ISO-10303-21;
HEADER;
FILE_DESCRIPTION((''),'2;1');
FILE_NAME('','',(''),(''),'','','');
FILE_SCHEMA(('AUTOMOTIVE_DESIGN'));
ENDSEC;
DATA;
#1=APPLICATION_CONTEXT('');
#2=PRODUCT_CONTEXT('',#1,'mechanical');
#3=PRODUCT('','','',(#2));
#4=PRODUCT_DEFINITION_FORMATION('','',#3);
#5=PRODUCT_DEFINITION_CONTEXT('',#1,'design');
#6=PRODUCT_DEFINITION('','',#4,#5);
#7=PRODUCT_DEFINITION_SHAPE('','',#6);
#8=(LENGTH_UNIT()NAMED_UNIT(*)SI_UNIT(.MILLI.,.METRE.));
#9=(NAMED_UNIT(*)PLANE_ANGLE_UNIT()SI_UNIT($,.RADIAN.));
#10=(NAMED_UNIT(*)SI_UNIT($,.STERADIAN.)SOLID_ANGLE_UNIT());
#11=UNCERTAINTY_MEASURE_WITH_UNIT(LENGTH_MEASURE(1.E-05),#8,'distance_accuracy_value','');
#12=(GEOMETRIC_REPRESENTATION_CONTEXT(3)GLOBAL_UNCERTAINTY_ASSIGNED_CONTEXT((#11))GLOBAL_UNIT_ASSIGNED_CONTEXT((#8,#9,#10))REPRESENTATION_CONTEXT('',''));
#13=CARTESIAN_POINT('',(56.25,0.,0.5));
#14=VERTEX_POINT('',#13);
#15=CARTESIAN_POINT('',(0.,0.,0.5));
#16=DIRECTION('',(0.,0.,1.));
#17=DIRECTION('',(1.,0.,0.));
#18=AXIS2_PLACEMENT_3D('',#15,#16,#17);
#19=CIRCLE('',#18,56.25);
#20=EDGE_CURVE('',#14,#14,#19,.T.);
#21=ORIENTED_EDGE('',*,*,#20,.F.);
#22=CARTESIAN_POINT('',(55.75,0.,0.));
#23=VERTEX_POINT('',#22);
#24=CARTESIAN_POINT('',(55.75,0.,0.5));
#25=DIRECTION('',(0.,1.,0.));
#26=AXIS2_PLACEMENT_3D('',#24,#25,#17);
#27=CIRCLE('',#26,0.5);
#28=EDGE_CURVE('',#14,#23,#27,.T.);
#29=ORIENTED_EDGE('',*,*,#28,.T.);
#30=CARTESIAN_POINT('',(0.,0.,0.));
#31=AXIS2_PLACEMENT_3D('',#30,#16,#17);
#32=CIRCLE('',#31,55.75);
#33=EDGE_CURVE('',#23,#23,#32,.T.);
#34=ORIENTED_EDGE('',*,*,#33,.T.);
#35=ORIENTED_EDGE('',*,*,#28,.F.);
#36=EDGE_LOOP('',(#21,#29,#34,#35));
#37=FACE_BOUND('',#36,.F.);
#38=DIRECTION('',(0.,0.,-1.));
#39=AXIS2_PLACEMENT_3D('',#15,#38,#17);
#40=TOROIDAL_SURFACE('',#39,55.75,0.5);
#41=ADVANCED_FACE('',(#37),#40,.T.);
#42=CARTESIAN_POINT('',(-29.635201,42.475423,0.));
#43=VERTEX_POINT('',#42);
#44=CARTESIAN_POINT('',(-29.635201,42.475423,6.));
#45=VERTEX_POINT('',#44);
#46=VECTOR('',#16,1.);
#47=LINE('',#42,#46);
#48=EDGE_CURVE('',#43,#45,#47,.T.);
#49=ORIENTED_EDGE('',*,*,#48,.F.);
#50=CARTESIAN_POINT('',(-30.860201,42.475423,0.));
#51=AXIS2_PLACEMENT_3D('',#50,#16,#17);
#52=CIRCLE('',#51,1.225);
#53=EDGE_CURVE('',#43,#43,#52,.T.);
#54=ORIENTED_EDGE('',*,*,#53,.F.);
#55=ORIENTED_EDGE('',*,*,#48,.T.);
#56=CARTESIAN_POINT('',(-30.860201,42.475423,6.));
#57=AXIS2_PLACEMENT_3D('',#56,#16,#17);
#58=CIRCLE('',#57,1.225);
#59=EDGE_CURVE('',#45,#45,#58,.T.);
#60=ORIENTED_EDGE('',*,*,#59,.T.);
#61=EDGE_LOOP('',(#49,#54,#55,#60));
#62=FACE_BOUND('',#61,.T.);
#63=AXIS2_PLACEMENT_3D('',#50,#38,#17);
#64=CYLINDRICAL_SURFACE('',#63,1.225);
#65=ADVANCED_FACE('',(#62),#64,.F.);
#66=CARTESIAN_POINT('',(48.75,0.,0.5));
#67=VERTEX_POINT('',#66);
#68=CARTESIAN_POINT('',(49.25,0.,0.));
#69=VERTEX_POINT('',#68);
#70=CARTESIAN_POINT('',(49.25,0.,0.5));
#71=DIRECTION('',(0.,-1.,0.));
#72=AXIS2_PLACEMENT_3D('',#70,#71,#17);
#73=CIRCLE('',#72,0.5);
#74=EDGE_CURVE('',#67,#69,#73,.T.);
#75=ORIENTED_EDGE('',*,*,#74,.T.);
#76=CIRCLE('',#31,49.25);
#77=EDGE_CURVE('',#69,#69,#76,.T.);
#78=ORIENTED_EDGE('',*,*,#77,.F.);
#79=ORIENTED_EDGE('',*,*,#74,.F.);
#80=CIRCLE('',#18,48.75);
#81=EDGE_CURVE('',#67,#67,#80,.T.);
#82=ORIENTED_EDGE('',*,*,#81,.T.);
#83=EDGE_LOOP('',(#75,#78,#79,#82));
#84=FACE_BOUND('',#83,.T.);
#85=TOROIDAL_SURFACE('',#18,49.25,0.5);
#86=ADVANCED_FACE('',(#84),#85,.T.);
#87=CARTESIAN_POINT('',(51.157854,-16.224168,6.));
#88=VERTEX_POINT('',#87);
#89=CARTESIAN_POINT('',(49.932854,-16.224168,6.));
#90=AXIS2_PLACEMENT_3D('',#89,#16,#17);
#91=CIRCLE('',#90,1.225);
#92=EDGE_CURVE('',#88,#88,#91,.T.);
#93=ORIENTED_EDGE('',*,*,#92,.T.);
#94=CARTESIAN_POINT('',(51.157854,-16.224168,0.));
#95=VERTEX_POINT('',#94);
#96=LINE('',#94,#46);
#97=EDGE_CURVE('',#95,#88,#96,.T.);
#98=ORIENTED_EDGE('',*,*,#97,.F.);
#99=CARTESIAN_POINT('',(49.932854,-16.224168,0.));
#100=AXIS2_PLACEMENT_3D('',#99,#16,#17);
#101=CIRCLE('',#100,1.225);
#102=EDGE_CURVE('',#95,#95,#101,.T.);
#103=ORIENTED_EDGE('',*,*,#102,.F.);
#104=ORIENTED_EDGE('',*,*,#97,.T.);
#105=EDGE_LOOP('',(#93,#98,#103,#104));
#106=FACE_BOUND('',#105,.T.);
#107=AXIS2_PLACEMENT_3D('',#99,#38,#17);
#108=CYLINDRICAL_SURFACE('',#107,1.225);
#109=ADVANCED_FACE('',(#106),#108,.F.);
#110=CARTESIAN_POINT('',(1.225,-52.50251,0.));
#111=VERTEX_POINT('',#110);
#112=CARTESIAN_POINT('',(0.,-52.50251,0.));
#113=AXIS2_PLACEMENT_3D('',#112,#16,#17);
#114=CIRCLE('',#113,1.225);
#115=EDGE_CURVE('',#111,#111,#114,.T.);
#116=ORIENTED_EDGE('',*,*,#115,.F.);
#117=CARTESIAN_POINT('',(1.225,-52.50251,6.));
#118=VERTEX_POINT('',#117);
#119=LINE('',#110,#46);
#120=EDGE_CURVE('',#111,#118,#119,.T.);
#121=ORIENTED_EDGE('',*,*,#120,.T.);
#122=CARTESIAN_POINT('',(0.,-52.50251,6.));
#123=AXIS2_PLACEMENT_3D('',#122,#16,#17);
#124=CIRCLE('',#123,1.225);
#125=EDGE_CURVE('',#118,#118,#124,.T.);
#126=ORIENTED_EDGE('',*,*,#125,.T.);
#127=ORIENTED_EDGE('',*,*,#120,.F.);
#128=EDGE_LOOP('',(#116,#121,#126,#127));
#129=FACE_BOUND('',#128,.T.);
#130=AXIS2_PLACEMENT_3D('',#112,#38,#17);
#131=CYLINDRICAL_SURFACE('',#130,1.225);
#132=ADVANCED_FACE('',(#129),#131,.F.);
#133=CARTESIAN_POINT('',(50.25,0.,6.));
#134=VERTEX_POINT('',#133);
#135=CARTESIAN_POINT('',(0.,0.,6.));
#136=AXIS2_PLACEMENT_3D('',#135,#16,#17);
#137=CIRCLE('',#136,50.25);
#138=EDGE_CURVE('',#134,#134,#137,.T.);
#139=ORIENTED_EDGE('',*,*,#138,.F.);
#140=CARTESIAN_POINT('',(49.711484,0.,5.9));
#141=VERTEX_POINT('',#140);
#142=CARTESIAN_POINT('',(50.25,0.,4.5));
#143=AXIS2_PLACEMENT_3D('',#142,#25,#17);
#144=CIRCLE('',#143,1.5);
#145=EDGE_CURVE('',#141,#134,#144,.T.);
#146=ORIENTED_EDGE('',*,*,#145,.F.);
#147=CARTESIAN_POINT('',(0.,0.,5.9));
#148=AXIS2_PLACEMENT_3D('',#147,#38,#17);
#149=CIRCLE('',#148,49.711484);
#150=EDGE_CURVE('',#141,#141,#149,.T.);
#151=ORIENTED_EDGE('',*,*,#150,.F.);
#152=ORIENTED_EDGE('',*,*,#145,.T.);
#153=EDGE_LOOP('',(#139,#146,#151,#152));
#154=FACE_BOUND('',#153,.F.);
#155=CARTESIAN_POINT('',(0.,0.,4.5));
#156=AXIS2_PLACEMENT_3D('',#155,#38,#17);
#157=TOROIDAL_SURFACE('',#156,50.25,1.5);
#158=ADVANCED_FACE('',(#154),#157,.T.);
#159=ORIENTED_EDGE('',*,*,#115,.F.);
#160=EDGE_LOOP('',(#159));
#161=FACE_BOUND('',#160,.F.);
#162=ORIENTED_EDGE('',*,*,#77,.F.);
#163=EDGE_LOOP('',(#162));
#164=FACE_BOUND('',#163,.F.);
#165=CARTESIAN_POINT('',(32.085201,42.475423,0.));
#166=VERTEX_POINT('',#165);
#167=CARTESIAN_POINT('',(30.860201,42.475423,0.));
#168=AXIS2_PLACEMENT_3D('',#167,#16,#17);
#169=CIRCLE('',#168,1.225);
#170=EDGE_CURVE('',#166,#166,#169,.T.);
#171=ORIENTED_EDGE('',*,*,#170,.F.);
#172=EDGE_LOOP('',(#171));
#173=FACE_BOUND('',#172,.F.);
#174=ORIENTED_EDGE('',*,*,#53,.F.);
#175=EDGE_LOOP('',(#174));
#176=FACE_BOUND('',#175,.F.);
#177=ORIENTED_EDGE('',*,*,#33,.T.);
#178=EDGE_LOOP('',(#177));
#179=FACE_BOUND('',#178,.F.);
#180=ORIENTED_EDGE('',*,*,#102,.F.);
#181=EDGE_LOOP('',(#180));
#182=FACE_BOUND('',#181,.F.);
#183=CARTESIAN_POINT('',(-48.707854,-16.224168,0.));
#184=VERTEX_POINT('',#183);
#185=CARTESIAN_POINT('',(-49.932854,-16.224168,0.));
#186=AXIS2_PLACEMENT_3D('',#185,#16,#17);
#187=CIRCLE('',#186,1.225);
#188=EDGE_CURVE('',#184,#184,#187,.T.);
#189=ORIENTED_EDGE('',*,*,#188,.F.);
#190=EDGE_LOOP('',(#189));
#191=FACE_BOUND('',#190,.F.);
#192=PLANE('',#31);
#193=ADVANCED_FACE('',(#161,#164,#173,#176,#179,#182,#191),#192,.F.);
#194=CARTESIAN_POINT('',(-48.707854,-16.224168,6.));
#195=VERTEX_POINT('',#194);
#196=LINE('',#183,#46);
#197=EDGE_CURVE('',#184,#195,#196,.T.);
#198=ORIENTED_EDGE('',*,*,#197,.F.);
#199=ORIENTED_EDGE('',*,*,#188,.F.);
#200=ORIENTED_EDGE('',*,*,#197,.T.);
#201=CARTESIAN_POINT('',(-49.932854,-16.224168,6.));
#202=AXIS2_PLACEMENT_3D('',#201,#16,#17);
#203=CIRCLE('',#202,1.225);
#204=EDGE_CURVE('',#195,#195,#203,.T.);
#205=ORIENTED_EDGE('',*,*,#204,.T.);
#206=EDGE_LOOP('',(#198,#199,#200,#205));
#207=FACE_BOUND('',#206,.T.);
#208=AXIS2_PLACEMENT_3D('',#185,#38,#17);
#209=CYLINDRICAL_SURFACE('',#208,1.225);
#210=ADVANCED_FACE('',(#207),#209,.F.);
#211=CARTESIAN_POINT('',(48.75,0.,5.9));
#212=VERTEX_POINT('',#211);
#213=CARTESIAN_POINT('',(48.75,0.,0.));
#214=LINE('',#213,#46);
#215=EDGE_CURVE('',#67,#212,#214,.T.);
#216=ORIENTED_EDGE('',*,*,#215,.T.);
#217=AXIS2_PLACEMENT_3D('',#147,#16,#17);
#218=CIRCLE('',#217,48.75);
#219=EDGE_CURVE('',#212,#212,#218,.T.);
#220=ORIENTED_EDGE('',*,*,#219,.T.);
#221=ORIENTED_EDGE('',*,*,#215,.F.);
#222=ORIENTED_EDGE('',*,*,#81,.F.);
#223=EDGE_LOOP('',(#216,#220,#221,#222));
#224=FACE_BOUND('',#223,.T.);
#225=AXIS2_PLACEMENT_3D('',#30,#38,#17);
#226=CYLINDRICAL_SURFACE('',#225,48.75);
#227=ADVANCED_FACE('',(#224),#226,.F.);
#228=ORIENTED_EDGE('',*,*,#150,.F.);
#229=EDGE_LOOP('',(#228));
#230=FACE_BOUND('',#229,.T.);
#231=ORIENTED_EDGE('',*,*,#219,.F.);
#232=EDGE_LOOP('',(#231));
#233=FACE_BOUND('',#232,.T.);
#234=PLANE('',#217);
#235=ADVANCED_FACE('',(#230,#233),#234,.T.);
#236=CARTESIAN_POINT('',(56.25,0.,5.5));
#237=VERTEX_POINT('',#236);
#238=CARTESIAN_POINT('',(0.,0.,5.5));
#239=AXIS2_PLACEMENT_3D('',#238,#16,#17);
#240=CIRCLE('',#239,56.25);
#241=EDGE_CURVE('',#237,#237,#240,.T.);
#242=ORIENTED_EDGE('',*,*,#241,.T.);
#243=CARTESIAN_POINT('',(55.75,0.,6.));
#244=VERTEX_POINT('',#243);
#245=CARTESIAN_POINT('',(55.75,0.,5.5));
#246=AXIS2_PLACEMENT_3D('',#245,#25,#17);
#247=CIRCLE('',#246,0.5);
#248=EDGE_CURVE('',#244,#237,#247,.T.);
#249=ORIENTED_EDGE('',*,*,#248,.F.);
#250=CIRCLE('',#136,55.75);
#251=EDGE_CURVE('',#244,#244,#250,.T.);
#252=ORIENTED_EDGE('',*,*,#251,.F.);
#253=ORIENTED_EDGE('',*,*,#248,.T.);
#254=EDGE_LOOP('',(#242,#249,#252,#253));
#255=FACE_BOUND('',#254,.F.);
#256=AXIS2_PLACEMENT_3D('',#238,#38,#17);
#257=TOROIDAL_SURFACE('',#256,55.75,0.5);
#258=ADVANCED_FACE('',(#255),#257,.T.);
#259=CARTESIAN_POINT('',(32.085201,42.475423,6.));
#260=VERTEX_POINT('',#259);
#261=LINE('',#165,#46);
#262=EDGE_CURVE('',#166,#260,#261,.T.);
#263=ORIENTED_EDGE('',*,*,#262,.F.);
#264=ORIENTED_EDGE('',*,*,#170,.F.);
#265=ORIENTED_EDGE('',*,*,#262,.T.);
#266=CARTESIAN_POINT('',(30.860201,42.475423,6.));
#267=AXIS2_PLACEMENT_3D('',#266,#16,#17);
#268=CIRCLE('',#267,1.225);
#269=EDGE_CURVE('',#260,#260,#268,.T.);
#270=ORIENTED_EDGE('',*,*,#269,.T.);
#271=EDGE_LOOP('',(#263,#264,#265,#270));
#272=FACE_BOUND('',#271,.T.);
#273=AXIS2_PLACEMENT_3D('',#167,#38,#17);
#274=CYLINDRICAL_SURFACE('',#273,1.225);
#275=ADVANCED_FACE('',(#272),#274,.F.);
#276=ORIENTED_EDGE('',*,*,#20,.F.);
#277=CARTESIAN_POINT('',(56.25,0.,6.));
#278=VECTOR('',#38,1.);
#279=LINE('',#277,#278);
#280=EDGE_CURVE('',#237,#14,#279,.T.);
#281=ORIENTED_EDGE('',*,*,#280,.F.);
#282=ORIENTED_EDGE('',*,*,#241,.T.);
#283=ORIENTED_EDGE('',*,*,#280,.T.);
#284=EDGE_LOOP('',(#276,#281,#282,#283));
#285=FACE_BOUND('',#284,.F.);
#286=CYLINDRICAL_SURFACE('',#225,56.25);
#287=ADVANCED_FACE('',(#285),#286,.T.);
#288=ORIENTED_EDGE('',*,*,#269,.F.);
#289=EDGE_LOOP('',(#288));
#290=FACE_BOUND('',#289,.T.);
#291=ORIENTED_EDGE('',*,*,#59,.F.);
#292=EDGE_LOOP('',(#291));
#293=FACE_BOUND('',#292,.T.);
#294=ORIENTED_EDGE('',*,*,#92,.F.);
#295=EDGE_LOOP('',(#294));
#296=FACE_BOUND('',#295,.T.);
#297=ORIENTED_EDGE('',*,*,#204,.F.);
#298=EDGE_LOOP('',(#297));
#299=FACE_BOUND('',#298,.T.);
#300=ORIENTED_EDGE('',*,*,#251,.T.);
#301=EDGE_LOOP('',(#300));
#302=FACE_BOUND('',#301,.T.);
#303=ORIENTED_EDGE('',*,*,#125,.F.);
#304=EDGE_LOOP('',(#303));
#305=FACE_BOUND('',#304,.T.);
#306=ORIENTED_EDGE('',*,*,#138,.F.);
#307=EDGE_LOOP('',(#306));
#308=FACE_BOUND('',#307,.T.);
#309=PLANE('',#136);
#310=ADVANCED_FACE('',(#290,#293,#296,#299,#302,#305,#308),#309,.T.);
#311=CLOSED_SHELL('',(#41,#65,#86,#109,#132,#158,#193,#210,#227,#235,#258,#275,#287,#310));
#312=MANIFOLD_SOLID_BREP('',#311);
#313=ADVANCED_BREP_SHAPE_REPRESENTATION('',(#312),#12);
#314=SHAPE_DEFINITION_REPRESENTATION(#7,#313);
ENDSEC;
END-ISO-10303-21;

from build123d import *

# Parameters (mm, degrees)
F0_R     = 56.25
F0_R_2   = 1.225
F0_R_3   = 48.75
F1_DEPTH = 6
F2_R     = 1.5
F3_DEPTH = 5.9
F4_R     = 0.5


with BuildPart() as f1:
    # F0 (on Top) → F1 (new body)
    with BuildSketch(Plane.XY):
        Circle(F0_R)
        with Locations((-49.932854, -16.224168)):
            Circle(F0_R_2, mode=Mode.SUBTRACT)
        with Locations((0, -52.50251)):
            Circle(F0_R_2, mode=Mode.SUBTRACT)
        with Locations((49.932854, -16.224168)):
            Circle(F0_R_2, mode=Mode.SUBTRACT)
        with Locations((-30.860201, 42.475423)):
            Circle(F0_R_2, mode=Mode.SUBTRACT)
        Circle(F0_R_3, mode=Mode.SUBTRACT)
        with Locations((30.860201, 42.475423)):
            Circle(F0_R_2, mode=Mode.SUBTRACT)
    extrude(amount=F1_DEPTH)

    # F2
    f2_edges = [f1.edges().sort_by_distance(p)[0] for p in [
        (-48.75, 0, 6),
    ]]
    fillet(f2_edges, radius=F2_R)

    # F0 (on Top) → F3 (join)
    with BuildSketch(Plane.XY):
        Circle(F0_R)
        with Locations((-49.932854, -16.224168)):
            Circle(F0_R_2, mode=Mode.SUBTRACT)
        with Locations((0, -52.50251)):
            Circle(F0_R_2, mode=Mode.SUBTRACT)
        with Locations((49.932854, -16.224168)):
            Circle(F0_R_2, mode=Mode.SUBTRACT)
        with Locations((-30.860201, 42.475423)):
            Circle(F0_R_2, mode=Mode.SUBTRACT)
        Circle(F0_R_3, mode=Mode.SUBTRACT)
        with Locations((30.860201, 42.475423)):
            Circle(F0_R_2, mode=Mode.SUBTRACT)
    extrude(amount=F3_DEPTH)

    # F4
    f4_edges = [f1.edges().sort_by_distance(p)[0] for p in [
        (-48.75, 0, 0),
        (-56.25, 0, 0),
        (-56.25, 0, 6),
    ]]
    fillet(f4_edges, radius=F4_R)


solid = f1.part
